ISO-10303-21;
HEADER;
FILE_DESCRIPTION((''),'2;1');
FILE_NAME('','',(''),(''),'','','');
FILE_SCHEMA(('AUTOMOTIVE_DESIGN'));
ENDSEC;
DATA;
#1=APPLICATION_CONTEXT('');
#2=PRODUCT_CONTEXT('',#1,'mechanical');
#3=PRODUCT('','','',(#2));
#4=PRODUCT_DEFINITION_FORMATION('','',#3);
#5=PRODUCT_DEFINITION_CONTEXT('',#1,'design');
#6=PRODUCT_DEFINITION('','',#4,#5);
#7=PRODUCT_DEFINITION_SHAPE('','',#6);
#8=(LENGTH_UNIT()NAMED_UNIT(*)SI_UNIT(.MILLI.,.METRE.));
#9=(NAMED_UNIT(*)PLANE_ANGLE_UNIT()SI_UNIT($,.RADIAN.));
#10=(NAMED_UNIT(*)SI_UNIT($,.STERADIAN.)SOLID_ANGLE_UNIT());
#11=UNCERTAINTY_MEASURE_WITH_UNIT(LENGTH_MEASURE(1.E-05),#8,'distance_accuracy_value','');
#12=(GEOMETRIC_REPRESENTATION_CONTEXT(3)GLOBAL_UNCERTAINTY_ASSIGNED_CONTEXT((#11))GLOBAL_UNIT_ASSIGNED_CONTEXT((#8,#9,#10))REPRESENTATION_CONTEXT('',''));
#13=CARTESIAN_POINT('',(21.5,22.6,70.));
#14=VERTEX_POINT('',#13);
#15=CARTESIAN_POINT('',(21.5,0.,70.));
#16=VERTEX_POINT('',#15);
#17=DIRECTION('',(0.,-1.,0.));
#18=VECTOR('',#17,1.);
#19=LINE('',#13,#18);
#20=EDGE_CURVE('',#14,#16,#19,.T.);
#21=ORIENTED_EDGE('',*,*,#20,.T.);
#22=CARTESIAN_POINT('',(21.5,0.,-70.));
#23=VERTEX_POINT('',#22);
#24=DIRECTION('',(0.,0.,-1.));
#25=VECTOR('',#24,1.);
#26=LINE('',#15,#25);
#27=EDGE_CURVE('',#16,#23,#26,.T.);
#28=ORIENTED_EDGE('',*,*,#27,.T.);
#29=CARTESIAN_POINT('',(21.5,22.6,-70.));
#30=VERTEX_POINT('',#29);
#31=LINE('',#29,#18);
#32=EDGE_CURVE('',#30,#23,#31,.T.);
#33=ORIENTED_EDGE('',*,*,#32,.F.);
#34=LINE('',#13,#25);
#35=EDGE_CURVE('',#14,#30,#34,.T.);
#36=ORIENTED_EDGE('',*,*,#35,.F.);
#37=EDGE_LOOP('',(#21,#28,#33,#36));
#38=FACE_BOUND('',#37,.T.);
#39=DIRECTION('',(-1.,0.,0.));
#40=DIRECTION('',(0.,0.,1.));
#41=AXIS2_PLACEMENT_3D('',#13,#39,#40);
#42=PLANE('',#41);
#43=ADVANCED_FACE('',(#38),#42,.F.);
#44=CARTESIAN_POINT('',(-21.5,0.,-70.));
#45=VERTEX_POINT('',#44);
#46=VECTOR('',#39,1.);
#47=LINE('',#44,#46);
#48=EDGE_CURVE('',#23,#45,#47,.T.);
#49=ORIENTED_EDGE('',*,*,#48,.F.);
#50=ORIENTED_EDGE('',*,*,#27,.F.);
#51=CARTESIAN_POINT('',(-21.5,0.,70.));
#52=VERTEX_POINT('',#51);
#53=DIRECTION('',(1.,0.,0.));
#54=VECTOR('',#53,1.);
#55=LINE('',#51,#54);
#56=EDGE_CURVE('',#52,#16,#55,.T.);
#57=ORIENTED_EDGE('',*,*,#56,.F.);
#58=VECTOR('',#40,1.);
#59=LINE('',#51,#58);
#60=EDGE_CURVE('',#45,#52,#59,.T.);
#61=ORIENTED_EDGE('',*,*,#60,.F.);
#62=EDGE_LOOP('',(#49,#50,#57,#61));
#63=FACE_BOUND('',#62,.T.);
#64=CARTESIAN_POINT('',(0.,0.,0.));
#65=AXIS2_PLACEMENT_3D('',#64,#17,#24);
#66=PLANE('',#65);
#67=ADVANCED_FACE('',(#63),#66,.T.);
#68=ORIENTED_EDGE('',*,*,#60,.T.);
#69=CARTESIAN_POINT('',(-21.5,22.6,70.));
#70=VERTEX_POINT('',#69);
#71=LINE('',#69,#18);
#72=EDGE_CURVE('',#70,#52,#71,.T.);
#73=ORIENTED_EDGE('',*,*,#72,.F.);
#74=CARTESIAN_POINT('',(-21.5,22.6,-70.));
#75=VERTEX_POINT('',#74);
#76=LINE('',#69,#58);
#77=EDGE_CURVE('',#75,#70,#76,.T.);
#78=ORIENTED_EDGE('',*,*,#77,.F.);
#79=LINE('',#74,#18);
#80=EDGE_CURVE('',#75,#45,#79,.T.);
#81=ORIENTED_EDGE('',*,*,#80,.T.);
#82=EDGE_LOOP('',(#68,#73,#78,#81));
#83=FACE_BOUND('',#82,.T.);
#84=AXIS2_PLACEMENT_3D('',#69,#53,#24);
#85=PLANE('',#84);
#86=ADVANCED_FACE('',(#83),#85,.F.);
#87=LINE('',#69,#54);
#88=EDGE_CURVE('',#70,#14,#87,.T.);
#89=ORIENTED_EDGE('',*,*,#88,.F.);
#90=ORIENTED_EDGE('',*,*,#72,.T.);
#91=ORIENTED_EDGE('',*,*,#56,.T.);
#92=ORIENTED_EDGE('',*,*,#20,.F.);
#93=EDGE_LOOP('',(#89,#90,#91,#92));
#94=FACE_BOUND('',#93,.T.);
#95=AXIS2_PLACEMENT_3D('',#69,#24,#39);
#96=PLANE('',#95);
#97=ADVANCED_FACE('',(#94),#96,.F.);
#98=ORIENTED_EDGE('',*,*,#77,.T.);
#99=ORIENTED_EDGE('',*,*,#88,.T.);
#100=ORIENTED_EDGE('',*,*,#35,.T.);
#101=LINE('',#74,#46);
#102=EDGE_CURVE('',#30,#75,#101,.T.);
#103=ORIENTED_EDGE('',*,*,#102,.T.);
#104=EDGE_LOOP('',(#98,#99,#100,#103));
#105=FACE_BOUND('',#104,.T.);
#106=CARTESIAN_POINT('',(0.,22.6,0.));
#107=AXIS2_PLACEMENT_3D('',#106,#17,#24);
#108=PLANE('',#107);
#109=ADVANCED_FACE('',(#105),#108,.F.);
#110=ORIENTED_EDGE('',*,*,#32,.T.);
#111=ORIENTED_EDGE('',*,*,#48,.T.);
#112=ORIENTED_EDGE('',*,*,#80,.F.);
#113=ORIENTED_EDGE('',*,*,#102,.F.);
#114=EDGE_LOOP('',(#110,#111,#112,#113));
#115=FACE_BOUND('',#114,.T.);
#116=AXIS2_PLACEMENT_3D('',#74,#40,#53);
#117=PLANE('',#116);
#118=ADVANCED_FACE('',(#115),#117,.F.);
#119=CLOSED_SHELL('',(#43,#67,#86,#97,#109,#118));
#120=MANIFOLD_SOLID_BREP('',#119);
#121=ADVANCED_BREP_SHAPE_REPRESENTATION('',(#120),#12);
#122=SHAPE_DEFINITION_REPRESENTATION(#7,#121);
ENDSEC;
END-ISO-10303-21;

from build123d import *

# Parameters (mm, degrees)
SKETCH_1_W      = 43
SKETCH_1_H      = 140
EXTRUDE_1_DEPTH = 22.6


with BuildPart() as part:
    # 草图1 → 凸台-拉伸1 (new body)
    with BuildSketch(Plane(origin=(0, 0, 0), x_dir=(1, 0, 0), z_dir=(0, 1, 0))):
        Rectangle(SKETCH_1_W, SKETCH_1_H)
    extrude(amount=EXTRUDE_1_DEPTH)


solid = part.part
